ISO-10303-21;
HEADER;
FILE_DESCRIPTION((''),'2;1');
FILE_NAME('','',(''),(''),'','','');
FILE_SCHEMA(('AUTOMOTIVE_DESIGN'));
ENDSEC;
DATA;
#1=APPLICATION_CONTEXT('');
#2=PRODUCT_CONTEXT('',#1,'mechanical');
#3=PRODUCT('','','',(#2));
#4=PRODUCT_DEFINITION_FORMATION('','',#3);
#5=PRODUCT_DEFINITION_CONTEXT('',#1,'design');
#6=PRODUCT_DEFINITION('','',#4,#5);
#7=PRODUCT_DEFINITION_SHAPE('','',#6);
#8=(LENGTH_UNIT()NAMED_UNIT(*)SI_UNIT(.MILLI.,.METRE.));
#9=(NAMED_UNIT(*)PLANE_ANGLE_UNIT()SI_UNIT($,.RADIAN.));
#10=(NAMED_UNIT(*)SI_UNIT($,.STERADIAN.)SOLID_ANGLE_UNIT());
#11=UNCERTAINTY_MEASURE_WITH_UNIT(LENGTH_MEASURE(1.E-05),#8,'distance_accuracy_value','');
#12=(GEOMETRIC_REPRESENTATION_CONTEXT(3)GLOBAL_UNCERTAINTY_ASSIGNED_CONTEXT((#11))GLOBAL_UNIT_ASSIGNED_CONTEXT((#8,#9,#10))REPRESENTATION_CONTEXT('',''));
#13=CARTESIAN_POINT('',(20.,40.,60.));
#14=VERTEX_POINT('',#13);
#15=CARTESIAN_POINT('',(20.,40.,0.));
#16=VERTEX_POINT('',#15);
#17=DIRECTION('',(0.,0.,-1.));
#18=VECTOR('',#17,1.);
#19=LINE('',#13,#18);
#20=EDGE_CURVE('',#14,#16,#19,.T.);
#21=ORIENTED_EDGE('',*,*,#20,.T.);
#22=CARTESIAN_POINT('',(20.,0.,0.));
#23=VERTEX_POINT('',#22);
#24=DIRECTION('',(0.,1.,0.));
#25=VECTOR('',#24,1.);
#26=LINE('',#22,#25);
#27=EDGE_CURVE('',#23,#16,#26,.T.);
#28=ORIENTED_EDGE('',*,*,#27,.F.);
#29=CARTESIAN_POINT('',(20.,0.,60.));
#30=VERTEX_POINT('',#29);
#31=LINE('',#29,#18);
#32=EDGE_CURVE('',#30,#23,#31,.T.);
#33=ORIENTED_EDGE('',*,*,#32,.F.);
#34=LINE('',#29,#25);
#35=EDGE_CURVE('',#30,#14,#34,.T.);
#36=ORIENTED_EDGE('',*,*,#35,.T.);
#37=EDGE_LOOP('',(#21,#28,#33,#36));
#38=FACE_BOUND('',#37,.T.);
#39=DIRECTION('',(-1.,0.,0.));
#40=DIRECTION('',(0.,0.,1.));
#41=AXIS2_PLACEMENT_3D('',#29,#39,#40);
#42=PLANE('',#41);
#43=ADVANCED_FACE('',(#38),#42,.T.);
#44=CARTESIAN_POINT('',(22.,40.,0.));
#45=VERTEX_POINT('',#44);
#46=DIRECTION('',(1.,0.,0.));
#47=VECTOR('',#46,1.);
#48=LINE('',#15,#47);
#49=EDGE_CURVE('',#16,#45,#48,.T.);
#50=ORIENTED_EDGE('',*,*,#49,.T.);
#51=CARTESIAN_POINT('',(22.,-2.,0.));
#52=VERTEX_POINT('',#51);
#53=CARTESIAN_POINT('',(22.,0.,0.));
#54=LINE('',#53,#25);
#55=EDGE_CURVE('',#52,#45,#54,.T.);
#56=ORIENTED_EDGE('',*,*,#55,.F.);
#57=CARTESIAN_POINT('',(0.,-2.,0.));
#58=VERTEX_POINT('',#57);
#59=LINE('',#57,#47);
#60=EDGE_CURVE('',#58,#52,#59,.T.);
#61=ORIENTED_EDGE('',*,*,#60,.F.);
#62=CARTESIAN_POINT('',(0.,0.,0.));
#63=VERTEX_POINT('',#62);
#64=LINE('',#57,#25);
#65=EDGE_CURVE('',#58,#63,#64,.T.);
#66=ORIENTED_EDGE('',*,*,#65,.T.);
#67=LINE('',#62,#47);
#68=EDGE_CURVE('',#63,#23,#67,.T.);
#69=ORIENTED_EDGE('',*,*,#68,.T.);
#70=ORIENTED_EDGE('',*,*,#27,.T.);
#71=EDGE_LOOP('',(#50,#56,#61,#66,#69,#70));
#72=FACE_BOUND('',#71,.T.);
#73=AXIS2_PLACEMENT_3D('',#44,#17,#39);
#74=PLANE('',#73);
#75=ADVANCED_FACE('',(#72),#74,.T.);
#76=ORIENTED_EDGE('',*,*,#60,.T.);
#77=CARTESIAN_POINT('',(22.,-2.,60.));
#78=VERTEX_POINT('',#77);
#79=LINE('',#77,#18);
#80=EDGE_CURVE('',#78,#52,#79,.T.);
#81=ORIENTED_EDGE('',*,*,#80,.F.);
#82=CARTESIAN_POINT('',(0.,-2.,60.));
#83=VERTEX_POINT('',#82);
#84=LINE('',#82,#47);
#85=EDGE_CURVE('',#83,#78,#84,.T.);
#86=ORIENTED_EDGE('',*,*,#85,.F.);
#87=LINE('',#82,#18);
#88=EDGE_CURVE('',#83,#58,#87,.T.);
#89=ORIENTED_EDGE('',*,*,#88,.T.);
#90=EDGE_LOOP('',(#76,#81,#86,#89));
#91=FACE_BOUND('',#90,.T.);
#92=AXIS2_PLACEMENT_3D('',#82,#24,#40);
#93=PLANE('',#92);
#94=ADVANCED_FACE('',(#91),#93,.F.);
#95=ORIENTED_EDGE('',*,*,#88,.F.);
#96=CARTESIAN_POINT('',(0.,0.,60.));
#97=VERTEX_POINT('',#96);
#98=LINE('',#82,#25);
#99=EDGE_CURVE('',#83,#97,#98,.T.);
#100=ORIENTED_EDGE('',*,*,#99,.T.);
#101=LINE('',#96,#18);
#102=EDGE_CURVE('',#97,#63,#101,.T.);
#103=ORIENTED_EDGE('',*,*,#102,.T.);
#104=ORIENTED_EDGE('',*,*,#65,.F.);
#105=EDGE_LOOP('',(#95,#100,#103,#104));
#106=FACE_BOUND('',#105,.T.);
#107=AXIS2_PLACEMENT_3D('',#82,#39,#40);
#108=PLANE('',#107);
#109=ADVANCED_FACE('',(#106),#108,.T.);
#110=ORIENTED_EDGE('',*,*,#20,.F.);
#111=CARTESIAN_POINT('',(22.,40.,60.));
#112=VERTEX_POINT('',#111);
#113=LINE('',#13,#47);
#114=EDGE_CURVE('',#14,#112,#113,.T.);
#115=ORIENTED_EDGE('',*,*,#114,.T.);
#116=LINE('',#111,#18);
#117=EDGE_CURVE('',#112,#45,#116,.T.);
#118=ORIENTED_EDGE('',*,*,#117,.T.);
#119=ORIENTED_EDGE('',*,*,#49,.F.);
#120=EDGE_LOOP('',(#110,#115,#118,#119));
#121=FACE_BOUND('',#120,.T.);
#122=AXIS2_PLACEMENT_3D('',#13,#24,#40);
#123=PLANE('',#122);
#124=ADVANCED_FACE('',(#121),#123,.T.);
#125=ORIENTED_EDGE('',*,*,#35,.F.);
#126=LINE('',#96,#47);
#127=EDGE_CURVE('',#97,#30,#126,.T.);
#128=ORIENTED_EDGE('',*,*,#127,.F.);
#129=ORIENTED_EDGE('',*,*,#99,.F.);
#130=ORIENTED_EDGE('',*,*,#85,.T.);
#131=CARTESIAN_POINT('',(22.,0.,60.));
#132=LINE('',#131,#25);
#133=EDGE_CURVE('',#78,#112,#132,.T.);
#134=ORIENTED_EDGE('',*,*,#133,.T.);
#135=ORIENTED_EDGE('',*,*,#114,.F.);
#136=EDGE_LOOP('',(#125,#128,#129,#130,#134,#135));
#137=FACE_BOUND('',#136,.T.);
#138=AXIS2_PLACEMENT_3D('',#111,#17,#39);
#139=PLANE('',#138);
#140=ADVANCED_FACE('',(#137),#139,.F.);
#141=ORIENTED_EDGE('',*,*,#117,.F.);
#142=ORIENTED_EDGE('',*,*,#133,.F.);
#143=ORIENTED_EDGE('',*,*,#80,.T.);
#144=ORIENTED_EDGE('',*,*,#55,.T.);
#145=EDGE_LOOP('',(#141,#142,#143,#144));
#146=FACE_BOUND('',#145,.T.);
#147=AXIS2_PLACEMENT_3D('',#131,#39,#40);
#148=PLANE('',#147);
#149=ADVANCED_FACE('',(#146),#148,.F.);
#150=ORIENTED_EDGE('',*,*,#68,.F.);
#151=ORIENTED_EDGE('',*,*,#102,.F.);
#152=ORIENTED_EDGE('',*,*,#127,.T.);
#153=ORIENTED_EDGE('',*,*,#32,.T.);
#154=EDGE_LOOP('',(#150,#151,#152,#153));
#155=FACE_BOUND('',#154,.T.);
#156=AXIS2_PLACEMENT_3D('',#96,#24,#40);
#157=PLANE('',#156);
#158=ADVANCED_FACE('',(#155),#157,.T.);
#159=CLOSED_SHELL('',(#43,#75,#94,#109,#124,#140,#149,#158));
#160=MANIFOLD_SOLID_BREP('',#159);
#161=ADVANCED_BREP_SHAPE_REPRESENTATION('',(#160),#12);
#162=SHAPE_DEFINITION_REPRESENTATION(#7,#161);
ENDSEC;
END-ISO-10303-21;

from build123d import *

# Parameters (mm, degrees)
EXTRU_MINCE1_DEPTH = 60


with BuildPart() as part:
    # Esquisse1 → Extru.-Mince1 (new body)
    with BuildSketch(Plane.XY):
        Polygon((0, 0), (20, 0), (20, 40), (22, 40), (22, -2), (0, -2), align=None)
    extrude(amount=EXTRU_MINCE1_DEPTH)


solid = part.part
